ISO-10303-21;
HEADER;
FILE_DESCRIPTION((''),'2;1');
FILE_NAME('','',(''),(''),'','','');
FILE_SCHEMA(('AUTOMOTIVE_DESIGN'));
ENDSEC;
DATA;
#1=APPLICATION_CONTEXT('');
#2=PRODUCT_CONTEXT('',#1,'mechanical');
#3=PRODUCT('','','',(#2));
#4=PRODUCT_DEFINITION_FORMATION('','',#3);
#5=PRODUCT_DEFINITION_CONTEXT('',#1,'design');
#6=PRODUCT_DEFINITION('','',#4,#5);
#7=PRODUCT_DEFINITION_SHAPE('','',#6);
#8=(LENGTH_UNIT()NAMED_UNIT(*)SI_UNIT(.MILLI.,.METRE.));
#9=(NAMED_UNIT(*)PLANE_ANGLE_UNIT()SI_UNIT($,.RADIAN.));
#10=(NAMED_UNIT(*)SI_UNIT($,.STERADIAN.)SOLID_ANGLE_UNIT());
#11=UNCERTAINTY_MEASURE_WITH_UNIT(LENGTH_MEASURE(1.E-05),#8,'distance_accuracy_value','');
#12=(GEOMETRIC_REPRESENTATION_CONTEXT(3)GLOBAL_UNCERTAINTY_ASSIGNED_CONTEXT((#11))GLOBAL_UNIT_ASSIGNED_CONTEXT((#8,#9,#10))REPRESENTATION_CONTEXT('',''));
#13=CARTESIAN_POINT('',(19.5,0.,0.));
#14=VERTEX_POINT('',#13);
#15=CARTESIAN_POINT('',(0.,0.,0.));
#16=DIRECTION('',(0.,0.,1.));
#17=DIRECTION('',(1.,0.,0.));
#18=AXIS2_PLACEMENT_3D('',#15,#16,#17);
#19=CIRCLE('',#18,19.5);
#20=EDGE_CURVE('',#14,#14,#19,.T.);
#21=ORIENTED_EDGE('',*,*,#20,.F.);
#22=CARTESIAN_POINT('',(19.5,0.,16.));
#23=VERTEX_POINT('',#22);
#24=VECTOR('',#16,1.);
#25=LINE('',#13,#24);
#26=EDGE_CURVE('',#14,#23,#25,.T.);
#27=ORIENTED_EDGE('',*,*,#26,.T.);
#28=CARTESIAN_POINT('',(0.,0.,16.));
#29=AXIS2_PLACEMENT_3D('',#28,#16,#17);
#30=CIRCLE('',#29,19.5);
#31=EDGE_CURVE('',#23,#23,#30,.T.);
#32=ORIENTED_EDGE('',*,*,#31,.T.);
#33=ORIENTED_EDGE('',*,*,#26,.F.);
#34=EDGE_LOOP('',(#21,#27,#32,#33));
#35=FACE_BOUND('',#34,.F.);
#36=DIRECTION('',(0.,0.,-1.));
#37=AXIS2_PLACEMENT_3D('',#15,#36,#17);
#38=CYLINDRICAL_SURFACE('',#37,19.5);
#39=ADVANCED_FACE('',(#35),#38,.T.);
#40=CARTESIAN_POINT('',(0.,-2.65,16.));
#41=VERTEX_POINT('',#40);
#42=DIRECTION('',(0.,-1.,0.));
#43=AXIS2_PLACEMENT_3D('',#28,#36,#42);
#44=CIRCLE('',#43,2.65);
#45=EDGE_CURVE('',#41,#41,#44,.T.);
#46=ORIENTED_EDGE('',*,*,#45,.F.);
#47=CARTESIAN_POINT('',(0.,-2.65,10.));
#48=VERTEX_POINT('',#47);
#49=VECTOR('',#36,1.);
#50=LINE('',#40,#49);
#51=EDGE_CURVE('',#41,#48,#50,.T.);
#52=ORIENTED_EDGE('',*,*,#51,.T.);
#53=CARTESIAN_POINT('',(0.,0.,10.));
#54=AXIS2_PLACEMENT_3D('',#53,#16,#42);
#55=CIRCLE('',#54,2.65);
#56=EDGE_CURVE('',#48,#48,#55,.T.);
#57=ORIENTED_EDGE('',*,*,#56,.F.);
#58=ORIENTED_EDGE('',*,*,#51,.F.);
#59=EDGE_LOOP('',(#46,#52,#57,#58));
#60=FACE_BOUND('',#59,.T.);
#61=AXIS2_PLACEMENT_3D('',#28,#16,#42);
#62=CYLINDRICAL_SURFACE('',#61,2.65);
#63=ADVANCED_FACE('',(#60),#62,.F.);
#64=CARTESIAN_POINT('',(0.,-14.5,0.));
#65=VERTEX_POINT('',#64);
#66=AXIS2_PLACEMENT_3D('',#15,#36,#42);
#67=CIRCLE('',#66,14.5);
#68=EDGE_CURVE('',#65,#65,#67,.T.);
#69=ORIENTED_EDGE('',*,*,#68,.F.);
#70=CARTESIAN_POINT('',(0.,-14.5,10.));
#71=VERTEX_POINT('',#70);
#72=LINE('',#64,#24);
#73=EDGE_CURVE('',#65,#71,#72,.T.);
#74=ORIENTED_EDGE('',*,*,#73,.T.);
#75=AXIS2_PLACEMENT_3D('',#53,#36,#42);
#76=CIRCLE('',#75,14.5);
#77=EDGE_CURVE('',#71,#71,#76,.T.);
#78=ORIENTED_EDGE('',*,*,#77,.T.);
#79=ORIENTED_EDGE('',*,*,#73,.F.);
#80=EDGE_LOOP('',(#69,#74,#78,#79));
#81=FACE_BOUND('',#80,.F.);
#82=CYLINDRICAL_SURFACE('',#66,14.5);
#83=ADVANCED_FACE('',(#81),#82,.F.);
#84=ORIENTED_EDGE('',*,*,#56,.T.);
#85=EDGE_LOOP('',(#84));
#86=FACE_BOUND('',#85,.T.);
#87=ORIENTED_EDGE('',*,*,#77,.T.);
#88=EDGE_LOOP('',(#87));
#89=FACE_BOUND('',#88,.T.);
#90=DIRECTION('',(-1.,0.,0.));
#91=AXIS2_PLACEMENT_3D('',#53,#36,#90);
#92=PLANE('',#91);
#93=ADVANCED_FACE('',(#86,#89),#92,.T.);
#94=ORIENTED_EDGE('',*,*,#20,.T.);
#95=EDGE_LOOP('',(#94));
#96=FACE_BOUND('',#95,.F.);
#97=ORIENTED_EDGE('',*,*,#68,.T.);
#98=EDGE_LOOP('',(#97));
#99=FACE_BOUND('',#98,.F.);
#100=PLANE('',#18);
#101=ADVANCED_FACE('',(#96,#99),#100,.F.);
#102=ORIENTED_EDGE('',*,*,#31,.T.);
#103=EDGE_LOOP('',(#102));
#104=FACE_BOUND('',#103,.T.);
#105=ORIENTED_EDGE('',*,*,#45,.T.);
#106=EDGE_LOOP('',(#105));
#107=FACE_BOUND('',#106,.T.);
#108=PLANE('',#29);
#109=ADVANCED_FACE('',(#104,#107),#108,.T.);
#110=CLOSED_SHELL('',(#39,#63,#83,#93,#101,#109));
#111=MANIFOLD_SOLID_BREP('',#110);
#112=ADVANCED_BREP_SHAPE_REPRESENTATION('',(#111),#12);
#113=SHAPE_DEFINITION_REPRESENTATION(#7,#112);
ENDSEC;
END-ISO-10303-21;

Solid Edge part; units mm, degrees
sketch "Sketch1" plane through (0, 0, 0) normal (0, 0, 1) x (1, 0, 0)
  circle A0 centre (0, 0) radius 19.5
extrude "Protrusion1" add sketch "Sketch1" along normal blind 16
sketch "Sketch2" plane through (0, 0, 0) normal (0, 0, -1) x (0, -1, 0)
  circle A0 centre (0, 0) radius 14.5
  dimension "D1" = 29
extrude "Cutout1" cut sketch "Sketch2" against normal blind 10
hole "Bohrung_1" at (0, 0, 16) direction (0, 0, -1) diameter 5.3 end up to next
